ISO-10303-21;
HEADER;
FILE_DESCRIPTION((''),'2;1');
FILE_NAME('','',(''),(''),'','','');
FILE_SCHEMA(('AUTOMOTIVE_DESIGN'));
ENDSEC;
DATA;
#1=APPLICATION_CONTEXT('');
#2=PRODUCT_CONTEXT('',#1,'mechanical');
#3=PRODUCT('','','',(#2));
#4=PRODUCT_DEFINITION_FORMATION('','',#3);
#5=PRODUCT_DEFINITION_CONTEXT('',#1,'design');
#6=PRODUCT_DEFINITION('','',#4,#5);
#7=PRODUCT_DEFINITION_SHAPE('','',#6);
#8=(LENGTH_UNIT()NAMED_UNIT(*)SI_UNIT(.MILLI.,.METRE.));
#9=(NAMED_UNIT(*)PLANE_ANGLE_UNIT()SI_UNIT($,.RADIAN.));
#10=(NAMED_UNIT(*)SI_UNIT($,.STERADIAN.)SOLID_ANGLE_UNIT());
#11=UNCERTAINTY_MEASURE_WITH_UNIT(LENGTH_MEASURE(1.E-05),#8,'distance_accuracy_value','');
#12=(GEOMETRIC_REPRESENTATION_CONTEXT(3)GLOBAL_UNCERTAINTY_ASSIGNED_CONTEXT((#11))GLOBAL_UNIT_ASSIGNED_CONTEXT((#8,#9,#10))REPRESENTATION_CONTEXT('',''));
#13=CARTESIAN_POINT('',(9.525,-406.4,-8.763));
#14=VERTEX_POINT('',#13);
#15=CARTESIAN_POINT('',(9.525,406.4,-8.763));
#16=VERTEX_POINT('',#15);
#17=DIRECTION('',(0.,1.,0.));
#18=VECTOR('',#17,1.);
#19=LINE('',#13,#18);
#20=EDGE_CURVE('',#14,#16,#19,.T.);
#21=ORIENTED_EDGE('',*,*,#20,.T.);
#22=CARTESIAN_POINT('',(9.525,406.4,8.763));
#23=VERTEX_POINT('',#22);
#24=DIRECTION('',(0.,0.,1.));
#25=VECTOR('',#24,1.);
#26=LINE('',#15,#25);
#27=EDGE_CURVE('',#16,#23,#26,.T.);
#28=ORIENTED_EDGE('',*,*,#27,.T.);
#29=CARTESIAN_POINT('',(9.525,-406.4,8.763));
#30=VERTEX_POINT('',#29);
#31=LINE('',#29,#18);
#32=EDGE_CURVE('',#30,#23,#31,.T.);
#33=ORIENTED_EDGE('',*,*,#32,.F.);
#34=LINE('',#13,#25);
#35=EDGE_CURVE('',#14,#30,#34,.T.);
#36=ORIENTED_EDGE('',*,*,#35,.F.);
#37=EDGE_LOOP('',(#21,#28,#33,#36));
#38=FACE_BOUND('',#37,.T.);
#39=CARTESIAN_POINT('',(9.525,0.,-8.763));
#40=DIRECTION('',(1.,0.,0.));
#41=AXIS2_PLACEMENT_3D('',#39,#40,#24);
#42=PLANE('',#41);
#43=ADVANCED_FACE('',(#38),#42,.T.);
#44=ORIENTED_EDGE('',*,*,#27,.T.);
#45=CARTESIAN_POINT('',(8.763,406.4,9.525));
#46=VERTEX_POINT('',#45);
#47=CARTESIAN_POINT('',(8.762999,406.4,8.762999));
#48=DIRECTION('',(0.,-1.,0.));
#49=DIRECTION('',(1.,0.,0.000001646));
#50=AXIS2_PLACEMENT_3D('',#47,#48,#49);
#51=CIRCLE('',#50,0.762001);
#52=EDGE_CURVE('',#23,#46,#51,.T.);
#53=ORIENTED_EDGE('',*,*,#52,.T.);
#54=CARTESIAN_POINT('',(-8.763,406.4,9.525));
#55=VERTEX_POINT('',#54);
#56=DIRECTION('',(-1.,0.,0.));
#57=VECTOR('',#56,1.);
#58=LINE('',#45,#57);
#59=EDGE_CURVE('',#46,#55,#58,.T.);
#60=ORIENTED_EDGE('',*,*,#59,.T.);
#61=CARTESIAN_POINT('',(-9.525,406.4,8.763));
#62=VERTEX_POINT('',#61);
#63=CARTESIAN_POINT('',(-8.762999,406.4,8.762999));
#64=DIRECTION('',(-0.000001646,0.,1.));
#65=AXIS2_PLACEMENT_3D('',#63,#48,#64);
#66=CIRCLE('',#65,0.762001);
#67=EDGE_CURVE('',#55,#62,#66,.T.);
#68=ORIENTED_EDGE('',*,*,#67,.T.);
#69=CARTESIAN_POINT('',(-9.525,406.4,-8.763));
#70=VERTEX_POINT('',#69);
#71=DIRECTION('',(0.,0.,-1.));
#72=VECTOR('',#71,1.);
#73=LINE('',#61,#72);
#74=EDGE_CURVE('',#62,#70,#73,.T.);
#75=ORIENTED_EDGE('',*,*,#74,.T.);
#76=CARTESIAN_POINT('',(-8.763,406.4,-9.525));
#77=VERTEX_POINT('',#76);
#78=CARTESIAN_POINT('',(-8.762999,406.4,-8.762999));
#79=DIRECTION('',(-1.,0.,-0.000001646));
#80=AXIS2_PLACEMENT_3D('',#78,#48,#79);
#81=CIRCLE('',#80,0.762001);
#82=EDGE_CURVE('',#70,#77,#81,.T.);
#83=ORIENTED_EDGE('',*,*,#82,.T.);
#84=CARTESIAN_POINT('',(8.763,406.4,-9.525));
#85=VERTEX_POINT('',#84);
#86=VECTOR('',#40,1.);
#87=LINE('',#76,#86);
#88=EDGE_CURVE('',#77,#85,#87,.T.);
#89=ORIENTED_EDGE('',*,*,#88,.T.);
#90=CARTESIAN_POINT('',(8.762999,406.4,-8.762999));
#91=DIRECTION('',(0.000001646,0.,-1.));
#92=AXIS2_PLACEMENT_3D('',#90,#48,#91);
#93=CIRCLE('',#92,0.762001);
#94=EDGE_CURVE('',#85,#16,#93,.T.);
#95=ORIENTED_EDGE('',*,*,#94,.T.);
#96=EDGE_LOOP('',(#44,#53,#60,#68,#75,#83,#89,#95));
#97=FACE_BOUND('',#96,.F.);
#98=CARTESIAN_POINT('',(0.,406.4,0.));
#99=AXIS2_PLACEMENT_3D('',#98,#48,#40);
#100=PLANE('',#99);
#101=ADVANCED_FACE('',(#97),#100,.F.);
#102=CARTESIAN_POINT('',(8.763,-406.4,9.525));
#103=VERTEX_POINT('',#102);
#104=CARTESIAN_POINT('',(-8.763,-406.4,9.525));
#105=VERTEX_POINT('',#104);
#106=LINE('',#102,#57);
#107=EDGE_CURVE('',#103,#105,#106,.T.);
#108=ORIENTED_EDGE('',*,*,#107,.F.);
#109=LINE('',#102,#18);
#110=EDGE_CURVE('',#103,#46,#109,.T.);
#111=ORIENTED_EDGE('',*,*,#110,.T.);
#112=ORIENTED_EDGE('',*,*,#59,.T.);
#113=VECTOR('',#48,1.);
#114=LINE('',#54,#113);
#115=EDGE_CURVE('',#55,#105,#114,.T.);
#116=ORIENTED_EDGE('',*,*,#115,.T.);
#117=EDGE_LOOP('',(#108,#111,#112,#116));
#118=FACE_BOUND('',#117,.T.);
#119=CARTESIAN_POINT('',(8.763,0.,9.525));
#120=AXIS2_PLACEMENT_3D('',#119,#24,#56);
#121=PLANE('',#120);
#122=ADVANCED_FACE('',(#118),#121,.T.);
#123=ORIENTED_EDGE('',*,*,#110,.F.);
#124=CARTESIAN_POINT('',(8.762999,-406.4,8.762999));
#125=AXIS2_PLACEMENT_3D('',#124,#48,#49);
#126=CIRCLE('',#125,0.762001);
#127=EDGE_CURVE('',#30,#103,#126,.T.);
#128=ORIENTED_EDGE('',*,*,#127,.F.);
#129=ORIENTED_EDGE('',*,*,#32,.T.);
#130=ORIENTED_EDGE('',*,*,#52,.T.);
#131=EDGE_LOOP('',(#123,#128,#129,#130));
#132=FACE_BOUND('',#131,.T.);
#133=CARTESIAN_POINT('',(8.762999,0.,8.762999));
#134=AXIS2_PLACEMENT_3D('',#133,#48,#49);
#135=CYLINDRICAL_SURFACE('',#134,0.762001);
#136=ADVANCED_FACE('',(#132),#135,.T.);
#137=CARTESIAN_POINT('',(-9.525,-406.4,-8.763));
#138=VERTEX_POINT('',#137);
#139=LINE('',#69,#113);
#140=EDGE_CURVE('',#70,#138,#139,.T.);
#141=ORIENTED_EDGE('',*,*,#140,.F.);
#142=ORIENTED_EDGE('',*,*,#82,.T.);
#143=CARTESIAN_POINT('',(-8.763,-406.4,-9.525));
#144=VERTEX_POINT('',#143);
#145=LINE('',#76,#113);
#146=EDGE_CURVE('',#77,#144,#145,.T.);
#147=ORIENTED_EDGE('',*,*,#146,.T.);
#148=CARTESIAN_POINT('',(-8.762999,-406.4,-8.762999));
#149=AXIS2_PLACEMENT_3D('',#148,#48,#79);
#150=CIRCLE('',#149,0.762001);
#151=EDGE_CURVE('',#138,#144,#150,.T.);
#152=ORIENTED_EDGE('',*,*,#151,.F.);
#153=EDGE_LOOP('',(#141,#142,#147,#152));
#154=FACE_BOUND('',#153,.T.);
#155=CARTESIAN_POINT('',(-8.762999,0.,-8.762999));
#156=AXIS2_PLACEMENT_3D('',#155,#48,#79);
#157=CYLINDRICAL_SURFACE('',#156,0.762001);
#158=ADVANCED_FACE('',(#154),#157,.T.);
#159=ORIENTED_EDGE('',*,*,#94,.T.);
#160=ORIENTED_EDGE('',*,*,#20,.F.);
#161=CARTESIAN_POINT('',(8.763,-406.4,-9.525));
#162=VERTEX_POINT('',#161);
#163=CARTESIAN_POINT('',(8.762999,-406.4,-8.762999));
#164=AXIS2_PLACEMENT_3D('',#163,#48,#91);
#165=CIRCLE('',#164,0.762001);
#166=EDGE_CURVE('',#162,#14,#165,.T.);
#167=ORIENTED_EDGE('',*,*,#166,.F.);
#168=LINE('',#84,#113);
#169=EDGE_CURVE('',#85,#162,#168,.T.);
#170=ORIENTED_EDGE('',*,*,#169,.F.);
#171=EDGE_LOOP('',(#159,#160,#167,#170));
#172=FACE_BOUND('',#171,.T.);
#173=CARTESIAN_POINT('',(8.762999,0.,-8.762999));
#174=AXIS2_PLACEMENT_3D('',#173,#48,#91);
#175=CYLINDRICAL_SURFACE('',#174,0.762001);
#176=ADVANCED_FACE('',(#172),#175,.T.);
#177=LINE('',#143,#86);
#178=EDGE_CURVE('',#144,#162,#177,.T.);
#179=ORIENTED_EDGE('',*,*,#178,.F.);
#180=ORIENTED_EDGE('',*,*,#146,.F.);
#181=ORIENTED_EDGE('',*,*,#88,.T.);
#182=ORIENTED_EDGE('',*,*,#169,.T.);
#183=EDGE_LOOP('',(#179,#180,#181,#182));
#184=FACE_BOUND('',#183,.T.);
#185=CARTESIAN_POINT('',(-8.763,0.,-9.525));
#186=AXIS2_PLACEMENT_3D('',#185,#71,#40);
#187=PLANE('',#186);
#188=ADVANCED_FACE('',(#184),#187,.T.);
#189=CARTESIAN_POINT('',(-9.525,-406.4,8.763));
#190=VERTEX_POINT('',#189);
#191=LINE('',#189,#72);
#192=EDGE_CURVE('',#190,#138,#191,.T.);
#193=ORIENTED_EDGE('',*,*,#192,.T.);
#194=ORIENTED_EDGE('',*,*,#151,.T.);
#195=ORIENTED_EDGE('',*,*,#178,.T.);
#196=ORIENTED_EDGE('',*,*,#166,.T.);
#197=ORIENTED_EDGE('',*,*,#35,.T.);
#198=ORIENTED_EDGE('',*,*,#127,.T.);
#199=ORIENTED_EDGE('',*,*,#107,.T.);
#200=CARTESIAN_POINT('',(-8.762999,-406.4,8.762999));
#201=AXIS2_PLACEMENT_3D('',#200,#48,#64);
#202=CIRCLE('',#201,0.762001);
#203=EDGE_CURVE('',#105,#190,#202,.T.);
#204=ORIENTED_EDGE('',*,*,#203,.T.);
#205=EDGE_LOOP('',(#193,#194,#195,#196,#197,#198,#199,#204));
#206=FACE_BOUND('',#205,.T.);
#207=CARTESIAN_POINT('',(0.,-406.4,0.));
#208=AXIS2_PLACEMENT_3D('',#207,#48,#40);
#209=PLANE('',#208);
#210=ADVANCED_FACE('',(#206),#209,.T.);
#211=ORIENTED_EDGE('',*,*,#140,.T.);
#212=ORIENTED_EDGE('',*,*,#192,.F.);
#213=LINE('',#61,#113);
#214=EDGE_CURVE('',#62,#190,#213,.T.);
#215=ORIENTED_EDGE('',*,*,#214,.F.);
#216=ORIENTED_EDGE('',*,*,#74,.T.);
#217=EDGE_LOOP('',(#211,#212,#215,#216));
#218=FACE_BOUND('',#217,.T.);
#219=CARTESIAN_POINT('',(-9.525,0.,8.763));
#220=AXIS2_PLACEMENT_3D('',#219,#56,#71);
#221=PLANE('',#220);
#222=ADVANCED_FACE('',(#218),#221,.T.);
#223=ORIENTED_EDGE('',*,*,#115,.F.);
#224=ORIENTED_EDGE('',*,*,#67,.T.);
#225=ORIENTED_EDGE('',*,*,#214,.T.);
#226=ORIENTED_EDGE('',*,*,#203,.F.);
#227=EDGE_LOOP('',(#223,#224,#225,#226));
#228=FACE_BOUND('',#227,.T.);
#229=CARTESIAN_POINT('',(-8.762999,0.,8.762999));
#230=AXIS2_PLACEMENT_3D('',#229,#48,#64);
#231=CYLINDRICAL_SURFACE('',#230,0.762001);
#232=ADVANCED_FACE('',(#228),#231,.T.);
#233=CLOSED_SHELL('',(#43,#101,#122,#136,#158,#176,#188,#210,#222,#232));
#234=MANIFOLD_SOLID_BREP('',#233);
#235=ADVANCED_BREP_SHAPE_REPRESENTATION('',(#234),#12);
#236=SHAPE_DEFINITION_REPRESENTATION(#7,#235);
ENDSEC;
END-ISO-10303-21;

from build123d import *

# Parameters (mm, degrees)
F1_DEPTH = 406.4


with BuildPart() as f1:
    # F0 (on Front) → F1 (new body, symmetric)
    with BuildSketch(Plane.XZ):
        with BuildLine():
            Line((8.763, 9.525), (-8.763, 9.525))
            ThreePointArc((-8.763, 9.525), (-9.301815, 9.301815), (-9.525, 8.763))
            Line((-9.525, 8.763), (-9.525, -8.763))
            ThreePointArc((-9.525, -8.763), (-9.301815, -9.301815), (-8.763, -9.525))
            Line((-8.763, -9.525), (8.763, -9.525))
            ThreePointArc((8.763, -9.525), (9.301815, -9.301815), (9.525, -8.763))
            Line((9.525, -8.763), (9.525, 8.763))
            ThreePointArc((9.525, 8.763), (9.301815, 9.301815), (8.763, 9.525))
        make_face()
    extrude(amount=F1_DEPTH, both=True)


solid = f1.part
